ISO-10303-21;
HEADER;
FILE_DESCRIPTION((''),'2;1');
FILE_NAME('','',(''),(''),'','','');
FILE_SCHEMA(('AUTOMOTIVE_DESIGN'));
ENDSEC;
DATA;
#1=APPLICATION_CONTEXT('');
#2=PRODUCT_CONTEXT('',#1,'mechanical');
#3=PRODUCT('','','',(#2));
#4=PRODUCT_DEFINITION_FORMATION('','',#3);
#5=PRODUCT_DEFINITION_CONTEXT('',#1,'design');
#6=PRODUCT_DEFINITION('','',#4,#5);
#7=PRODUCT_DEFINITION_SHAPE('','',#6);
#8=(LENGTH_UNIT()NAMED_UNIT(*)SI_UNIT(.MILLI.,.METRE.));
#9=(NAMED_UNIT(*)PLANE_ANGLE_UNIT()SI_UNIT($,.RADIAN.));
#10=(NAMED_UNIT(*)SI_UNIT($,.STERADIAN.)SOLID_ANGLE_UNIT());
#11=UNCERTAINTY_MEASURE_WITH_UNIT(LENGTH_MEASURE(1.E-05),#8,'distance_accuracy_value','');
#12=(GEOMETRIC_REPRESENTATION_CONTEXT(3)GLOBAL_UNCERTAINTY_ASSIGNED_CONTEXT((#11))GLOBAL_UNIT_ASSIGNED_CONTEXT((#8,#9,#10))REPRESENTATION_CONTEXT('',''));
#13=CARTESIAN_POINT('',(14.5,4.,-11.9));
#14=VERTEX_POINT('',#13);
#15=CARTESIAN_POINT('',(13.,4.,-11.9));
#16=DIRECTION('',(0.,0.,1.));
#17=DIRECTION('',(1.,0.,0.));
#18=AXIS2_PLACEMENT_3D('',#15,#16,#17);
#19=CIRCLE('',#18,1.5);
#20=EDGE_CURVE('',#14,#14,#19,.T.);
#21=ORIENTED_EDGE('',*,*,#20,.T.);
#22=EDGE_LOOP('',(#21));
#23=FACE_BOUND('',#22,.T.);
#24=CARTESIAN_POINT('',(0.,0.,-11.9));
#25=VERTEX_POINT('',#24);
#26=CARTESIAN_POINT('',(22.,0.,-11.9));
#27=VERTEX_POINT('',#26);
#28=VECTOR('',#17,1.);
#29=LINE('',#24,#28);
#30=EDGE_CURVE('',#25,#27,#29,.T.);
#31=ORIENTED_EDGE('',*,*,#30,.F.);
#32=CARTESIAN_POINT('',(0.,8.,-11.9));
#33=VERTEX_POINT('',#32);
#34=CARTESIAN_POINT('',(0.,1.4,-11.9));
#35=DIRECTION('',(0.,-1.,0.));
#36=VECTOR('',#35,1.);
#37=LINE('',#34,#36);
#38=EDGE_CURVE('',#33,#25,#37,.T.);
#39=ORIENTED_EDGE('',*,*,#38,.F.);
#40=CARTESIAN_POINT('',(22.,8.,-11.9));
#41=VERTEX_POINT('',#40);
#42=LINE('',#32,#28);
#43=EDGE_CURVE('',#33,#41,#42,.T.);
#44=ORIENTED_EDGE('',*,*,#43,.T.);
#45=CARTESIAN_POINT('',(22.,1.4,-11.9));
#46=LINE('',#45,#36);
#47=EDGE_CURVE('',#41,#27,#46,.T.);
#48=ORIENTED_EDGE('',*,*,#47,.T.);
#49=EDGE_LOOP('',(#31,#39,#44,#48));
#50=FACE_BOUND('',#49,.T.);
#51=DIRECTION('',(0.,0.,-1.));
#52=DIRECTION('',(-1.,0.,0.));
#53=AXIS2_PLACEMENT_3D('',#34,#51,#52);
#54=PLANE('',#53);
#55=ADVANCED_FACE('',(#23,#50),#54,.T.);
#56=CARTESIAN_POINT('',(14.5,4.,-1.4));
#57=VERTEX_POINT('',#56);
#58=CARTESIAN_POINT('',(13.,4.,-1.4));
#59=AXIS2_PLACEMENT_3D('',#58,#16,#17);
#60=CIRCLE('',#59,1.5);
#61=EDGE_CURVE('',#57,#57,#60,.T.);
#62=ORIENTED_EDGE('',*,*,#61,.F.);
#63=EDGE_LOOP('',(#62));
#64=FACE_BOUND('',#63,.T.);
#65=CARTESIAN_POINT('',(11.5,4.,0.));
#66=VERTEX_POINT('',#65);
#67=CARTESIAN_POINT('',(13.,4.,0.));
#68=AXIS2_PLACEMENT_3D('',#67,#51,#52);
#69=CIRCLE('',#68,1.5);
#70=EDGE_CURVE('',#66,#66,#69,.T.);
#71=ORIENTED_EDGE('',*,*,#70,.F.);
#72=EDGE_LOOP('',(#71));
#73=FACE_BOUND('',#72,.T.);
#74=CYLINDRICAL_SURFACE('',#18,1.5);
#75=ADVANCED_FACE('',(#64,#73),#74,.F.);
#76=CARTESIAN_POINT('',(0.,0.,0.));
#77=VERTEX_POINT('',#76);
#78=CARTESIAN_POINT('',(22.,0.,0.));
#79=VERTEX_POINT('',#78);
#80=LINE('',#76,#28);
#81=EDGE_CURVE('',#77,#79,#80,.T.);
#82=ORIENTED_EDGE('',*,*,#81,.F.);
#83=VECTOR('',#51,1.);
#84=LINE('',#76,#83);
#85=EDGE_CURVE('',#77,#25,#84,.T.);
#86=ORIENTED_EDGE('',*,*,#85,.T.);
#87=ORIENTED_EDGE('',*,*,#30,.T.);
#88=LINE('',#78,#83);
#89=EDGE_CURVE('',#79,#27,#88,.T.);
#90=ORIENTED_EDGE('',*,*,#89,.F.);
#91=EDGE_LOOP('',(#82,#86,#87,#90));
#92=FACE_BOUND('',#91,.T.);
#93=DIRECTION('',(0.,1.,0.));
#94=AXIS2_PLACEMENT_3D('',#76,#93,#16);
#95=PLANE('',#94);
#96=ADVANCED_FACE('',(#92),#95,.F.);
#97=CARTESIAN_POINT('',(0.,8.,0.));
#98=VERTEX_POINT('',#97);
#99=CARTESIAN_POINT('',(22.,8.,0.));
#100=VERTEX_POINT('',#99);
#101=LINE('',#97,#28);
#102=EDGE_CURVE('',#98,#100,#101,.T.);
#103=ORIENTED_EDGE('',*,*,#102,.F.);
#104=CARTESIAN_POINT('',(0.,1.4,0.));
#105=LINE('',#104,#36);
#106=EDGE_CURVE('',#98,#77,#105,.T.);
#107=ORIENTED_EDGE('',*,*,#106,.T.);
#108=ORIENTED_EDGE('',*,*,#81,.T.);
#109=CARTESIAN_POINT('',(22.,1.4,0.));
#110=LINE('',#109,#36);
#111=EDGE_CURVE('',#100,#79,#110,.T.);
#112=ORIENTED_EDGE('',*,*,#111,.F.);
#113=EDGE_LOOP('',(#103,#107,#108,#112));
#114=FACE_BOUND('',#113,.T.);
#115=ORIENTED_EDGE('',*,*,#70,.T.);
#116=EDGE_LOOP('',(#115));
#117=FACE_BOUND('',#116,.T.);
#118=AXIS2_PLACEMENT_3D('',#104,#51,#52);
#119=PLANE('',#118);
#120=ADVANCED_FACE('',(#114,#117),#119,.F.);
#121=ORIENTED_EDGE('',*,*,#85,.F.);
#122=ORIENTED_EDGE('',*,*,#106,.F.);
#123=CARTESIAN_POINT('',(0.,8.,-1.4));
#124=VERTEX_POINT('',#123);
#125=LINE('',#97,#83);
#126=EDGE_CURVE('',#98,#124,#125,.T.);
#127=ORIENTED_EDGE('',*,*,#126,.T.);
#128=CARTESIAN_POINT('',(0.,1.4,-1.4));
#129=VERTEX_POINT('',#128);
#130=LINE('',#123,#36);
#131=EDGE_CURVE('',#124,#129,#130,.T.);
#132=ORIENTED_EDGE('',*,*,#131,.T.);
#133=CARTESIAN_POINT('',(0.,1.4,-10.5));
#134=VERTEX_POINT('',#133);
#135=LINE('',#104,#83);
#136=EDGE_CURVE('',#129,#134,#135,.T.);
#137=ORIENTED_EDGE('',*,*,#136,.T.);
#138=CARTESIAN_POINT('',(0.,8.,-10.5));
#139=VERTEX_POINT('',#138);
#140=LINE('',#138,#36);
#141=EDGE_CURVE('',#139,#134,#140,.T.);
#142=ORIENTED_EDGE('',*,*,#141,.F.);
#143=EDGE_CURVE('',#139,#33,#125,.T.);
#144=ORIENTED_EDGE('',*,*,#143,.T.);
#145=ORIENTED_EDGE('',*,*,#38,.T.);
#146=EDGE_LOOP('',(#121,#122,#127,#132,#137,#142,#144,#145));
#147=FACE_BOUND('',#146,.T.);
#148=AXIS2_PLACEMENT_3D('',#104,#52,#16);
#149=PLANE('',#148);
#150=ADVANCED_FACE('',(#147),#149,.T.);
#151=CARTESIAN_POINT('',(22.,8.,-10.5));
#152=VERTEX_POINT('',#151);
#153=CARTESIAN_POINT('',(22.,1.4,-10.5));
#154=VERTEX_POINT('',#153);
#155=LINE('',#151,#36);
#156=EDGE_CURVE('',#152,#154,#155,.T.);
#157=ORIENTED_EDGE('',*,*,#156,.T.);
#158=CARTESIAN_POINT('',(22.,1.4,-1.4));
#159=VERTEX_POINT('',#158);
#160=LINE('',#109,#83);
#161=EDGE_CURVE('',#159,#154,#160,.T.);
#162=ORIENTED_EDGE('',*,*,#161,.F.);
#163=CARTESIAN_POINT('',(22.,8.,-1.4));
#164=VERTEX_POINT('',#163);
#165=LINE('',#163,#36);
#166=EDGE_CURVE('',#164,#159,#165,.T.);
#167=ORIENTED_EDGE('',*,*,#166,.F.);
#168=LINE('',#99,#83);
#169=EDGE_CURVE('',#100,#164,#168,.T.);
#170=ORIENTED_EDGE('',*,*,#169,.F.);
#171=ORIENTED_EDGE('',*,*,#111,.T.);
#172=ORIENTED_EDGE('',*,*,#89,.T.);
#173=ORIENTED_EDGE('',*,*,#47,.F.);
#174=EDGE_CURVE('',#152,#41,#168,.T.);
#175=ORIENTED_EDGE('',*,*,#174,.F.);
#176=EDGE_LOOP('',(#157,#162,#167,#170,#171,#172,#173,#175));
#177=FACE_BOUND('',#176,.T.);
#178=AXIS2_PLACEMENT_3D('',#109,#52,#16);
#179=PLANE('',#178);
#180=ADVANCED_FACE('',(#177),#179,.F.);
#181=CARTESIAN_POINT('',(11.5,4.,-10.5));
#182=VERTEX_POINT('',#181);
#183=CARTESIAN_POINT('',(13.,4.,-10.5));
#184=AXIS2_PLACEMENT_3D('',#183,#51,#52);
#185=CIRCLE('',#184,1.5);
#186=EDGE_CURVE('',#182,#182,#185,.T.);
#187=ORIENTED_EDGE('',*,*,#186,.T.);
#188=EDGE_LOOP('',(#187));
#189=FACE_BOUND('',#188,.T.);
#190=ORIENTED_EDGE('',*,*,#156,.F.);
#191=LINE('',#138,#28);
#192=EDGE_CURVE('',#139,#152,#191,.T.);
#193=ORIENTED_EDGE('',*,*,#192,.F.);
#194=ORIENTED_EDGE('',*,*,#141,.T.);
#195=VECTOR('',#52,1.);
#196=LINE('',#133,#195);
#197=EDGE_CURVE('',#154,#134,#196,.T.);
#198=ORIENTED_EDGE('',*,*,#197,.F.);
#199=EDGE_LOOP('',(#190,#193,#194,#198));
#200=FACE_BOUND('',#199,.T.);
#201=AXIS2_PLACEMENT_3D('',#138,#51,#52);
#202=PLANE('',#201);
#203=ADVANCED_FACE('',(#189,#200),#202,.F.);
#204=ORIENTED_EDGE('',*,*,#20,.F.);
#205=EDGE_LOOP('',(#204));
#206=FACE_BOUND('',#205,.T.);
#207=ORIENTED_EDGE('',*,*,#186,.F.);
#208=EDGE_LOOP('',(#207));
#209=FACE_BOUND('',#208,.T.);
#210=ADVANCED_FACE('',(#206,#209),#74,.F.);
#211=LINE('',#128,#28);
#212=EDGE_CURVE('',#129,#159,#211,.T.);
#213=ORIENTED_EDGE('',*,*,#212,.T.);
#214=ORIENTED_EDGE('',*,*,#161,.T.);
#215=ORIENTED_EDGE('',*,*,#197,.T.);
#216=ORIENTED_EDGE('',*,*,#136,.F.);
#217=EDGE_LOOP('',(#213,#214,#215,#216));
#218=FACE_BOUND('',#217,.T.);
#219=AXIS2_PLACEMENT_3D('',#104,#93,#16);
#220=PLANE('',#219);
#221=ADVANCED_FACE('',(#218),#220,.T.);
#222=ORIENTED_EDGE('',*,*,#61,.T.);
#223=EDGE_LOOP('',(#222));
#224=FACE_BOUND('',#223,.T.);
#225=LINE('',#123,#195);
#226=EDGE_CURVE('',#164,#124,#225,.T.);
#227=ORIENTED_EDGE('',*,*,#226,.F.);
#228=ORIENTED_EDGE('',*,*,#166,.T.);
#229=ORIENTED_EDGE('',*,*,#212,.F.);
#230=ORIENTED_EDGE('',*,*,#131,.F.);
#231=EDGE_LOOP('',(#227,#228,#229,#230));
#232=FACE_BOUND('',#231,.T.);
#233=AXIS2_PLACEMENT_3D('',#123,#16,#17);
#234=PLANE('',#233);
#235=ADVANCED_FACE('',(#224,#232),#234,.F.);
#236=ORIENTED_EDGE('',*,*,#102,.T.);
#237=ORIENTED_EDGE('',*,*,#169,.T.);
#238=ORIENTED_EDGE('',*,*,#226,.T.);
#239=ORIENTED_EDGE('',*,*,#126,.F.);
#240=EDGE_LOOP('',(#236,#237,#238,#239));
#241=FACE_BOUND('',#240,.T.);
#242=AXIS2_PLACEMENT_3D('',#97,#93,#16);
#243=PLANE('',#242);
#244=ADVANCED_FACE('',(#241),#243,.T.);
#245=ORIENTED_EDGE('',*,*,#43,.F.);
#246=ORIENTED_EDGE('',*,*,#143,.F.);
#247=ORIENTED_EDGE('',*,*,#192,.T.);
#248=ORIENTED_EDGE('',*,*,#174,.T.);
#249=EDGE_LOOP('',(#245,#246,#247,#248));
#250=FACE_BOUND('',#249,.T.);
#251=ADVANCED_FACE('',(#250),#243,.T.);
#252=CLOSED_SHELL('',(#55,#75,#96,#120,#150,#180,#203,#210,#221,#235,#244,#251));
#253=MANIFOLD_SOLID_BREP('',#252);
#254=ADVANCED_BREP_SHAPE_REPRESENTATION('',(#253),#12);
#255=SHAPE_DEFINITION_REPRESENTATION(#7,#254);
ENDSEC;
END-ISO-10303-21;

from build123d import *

# Parameters (mm, degrees)
SKETCH_1_W               = 22
SKETCH_1_H               = 11.9
BOTTOM_DEPTH             = 1.4
SKETCH_1_3_W             = 22
SKETCH_1_3_H             = 1.4
EXTRUDE_2_DEPTH          = 8
CUT_EXTRUDE_1_DEPTH      = 27.260426501
CUT_EXTRUDE_1_DEPTH_BACK = 27.260426501
SKETCH_2_R               = 1.5


with BuildPart() as part:
    # Эскиз1 → Bottom (new body)
    with BuildSketch(Plane(origin=(0, 0, 0), x_dir=(1, 0, 0), z_dir=(0, 1, 0))):
        with Locations((11, 5.95)):
            Rectangle(SKETCH_1_W, SKETCH_1_H)
    extrude(amount=BOTTOM_DEPTH)

    # Эскиз1<3> → Бобышка-Вытянуть2 (add)
    with BuildSketch(Plane(origin=(0, 0, 0), x_dir=(1, 0, 0), z_dir=(0, 1, 0))):
        with Locations((11, 11.2)):
            Rectangle(SKETCH_1_3_W, SKETCH_1_3_H)
        with Locations((11, 0.7)):
            Rectangle(SKETCH_1_3_W, SKETCH_1_3_H)
    extrude(amount=EXTRUDE_2_DEPTH)

    # Эскиз2 → Вырез-Вытянуть1 (cut, two sides: drawn at the far end of the back side and taken through both)
    with BuildSketch(Plane.XY.offset(-CUT_EXTRUDE_1_DEPTH_BACK)):
        with Locations((13, 4)):
            Circle(SKETCH_2_R)
    extrude(amount=CUT_EXTRUDE_1_DEPTH + CUT_EXTRUDE_1_DEPTH_BACK, mode=Mode.SUBTRACT)


solid = part.part
